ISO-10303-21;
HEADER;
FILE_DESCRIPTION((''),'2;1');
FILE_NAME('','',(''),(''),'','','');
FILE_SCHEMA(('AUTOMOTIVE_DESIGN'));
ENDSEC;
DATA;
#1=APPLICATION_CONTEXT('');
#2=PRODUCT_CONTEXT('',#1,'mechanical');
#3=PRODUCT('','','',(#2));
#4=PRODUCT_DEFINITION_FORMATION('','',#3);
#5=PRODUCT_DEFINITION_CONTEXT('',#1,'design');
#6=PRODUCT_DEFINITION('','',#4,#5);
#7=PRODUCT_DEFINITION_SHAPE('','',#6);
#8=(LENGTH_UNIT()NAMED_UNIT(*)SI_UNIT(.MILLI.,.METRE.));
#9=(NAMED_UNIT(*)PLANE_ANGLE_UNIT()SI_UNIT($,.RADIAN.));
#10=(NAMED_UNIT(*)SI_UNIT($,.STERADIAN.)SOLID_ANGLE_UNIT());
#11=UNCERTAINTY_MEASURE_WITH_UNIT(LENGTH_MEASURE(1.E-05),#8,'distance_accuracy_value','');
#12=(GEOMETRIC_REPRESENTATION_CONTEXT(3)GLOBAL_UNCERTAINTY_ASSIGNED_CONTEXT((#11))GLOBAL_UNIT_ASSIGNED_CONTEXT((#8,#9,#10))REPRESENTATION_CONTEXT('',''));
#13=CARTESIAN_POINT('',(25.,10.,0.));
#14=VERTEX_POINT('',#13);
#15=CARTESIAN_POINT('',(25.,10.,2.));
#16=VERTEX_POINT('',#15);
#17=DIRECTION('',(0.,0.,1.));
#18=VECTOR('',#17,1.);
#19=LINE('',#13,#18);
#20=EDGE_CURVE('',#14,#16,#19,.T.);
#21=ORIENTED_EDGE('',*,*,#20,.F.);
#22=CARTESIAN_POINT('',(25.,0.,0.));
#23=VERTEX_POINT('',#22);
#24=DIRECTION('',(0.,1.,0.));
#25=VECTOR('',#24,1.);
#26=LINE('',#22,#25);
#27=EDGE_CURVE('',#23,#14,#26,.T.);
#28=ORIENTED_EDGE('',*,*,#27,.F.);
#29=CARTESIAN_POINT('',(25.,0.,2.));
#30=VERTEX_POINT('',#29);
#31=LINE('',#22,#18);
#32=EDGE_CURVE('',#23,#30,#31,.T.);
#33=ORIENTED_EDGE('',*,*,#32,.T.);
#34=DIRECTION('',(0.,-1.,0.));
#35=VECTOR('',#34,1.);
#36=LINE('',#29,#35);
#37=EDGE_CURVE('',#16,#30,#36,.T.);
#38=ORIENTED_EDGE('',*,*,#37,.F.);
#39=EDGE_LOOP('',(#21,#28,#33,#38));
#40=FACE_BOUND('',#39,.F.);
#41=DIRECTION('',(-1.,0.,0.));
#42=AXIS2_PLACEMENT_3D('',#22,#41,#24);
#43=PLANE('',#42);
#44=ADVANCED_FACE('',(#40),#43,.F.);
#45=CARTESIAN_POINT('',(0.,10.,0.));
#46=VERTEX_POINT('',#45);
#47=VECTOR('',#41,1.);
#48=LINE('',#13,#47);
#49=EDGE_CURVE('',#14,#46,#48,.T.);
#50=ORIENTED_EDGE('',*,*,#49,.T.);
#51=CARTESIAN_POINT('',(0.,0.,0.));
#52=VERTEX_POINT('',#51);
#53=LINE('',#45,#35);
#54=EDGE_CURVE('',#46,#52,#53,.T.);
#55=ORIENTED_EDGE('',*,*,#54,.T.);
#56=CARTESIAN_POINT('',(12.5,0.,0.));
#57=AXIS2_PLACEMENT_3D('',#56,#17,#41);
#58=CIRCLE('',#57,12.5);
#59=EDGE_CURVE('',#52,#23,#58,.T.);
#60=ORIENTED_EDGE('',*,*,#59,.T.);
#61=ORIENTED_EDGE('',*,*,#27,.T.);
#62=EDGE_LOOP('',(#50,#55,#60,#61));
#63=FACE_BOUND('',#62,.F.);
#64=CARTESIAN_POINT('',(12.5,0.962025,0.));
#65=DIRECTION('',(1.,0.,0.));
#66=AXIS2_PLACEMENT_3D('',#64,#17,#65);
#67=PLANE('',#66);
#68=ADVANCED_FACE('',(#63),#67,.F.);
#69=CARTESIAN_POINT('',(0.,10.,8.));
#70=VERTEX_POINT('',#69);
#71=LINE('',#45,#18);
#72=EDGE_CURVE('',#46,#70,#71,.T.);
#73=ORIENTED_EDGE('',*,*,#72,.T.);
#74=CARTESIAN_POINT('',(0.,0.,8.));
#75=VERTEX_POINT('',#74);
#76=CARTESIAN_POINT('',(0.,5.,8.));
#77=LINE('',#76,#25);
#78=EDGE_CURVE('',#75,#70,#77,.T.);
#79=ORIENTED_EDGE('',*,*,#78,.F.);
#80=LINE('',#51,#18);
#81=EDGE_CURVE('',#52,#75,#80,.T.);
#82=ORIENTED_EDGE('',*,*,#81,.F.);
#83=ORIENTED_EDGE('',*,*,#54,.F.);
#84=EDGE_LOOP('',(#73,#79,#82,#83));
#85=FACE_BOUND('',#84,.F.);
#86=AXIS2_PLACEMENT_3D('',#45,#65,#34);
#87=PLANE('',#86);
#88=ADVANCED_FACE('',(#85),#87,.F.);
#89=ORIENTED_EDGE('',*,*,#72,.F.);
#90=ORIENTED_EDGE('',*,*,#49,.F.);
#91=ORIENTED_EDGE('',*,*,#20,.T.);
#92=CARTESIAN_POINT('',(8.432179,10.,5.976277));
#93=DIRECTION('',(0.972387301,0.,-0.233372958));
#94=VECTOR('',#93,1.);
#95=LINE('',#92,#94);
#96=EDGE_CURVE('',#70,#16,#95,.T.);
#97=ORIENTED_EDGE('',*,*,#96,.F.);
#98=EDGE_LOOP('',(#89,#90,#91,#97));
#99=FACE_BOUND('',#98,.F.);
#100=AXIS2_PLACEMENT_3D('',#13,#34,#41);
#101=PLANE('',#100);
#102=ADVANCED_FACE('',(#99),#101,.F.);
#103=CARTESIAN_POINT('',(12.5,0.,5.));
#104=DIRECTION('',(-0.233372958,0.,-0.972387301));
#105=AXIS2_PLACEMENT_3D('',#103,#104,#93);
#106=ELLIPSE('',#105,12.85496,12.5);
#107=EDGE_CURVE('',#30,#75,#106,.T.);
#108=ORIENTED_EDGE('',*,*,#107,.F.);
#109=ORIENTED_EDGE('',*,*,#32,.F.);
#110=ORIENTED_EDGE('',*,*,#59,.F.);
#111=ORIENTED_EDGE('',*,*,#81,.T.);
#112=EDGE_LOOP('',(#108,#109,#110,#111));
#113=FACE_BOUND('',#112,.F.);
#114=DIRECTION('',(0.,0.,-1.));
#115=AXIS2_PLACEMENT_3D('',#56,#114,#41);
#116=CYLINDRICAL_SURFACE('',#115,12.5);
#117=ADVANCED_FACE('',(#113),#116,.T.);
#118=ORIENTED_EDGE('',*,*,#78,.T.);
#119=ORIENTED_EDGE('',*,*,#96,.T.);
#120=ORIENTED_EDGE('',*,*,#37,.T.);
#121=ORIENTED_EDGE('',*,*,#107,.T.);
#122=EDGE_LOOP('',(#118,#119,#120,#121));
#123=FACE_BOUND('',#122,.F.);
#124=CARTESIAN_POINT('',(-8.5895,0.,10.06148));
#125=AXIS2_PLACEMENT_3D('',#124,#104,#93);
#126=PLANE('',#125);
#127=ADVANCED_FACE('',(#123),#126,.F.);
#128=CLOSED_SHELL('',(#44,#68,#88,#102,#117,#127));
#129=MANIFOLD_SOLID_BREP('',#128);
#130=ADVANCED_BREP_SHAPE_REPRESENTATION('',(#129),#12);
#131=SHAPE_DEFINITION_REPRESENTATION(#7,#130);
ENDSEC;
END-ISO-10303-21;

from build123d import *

# Parameters (mm, degrees)
F1_DEPTH = 25
F3_DEPTH = 30


with BuildPart() as f1:
    # F0 (on Top) → F1 (new body)
    with BuildSketch(Plane.XY):
        with BuildLine():
            Line((0, 10), (0, 0))
            ThreePointArc((0, 0), (12.5, -12.5), (25, 0))
            Line((25, 0), (25, 10))
            Line((25, 10), (0, 10))
        make_face()
    extrude(amount=F1_DEPTH)

    # F2 (on Front) → F3 (cut, symmetric)
    with BuildSketch(Plane.XZ):
        Polygon((-8.5895, 40.338462), (-8.5895, 10.06148), (30.771124, 0.61493), (30.771124, 30.891913), align=None)
    extrude(amount=F3_DEPTH, both=True, mode=Mode.SUBTRACT)


solid = f1.part
